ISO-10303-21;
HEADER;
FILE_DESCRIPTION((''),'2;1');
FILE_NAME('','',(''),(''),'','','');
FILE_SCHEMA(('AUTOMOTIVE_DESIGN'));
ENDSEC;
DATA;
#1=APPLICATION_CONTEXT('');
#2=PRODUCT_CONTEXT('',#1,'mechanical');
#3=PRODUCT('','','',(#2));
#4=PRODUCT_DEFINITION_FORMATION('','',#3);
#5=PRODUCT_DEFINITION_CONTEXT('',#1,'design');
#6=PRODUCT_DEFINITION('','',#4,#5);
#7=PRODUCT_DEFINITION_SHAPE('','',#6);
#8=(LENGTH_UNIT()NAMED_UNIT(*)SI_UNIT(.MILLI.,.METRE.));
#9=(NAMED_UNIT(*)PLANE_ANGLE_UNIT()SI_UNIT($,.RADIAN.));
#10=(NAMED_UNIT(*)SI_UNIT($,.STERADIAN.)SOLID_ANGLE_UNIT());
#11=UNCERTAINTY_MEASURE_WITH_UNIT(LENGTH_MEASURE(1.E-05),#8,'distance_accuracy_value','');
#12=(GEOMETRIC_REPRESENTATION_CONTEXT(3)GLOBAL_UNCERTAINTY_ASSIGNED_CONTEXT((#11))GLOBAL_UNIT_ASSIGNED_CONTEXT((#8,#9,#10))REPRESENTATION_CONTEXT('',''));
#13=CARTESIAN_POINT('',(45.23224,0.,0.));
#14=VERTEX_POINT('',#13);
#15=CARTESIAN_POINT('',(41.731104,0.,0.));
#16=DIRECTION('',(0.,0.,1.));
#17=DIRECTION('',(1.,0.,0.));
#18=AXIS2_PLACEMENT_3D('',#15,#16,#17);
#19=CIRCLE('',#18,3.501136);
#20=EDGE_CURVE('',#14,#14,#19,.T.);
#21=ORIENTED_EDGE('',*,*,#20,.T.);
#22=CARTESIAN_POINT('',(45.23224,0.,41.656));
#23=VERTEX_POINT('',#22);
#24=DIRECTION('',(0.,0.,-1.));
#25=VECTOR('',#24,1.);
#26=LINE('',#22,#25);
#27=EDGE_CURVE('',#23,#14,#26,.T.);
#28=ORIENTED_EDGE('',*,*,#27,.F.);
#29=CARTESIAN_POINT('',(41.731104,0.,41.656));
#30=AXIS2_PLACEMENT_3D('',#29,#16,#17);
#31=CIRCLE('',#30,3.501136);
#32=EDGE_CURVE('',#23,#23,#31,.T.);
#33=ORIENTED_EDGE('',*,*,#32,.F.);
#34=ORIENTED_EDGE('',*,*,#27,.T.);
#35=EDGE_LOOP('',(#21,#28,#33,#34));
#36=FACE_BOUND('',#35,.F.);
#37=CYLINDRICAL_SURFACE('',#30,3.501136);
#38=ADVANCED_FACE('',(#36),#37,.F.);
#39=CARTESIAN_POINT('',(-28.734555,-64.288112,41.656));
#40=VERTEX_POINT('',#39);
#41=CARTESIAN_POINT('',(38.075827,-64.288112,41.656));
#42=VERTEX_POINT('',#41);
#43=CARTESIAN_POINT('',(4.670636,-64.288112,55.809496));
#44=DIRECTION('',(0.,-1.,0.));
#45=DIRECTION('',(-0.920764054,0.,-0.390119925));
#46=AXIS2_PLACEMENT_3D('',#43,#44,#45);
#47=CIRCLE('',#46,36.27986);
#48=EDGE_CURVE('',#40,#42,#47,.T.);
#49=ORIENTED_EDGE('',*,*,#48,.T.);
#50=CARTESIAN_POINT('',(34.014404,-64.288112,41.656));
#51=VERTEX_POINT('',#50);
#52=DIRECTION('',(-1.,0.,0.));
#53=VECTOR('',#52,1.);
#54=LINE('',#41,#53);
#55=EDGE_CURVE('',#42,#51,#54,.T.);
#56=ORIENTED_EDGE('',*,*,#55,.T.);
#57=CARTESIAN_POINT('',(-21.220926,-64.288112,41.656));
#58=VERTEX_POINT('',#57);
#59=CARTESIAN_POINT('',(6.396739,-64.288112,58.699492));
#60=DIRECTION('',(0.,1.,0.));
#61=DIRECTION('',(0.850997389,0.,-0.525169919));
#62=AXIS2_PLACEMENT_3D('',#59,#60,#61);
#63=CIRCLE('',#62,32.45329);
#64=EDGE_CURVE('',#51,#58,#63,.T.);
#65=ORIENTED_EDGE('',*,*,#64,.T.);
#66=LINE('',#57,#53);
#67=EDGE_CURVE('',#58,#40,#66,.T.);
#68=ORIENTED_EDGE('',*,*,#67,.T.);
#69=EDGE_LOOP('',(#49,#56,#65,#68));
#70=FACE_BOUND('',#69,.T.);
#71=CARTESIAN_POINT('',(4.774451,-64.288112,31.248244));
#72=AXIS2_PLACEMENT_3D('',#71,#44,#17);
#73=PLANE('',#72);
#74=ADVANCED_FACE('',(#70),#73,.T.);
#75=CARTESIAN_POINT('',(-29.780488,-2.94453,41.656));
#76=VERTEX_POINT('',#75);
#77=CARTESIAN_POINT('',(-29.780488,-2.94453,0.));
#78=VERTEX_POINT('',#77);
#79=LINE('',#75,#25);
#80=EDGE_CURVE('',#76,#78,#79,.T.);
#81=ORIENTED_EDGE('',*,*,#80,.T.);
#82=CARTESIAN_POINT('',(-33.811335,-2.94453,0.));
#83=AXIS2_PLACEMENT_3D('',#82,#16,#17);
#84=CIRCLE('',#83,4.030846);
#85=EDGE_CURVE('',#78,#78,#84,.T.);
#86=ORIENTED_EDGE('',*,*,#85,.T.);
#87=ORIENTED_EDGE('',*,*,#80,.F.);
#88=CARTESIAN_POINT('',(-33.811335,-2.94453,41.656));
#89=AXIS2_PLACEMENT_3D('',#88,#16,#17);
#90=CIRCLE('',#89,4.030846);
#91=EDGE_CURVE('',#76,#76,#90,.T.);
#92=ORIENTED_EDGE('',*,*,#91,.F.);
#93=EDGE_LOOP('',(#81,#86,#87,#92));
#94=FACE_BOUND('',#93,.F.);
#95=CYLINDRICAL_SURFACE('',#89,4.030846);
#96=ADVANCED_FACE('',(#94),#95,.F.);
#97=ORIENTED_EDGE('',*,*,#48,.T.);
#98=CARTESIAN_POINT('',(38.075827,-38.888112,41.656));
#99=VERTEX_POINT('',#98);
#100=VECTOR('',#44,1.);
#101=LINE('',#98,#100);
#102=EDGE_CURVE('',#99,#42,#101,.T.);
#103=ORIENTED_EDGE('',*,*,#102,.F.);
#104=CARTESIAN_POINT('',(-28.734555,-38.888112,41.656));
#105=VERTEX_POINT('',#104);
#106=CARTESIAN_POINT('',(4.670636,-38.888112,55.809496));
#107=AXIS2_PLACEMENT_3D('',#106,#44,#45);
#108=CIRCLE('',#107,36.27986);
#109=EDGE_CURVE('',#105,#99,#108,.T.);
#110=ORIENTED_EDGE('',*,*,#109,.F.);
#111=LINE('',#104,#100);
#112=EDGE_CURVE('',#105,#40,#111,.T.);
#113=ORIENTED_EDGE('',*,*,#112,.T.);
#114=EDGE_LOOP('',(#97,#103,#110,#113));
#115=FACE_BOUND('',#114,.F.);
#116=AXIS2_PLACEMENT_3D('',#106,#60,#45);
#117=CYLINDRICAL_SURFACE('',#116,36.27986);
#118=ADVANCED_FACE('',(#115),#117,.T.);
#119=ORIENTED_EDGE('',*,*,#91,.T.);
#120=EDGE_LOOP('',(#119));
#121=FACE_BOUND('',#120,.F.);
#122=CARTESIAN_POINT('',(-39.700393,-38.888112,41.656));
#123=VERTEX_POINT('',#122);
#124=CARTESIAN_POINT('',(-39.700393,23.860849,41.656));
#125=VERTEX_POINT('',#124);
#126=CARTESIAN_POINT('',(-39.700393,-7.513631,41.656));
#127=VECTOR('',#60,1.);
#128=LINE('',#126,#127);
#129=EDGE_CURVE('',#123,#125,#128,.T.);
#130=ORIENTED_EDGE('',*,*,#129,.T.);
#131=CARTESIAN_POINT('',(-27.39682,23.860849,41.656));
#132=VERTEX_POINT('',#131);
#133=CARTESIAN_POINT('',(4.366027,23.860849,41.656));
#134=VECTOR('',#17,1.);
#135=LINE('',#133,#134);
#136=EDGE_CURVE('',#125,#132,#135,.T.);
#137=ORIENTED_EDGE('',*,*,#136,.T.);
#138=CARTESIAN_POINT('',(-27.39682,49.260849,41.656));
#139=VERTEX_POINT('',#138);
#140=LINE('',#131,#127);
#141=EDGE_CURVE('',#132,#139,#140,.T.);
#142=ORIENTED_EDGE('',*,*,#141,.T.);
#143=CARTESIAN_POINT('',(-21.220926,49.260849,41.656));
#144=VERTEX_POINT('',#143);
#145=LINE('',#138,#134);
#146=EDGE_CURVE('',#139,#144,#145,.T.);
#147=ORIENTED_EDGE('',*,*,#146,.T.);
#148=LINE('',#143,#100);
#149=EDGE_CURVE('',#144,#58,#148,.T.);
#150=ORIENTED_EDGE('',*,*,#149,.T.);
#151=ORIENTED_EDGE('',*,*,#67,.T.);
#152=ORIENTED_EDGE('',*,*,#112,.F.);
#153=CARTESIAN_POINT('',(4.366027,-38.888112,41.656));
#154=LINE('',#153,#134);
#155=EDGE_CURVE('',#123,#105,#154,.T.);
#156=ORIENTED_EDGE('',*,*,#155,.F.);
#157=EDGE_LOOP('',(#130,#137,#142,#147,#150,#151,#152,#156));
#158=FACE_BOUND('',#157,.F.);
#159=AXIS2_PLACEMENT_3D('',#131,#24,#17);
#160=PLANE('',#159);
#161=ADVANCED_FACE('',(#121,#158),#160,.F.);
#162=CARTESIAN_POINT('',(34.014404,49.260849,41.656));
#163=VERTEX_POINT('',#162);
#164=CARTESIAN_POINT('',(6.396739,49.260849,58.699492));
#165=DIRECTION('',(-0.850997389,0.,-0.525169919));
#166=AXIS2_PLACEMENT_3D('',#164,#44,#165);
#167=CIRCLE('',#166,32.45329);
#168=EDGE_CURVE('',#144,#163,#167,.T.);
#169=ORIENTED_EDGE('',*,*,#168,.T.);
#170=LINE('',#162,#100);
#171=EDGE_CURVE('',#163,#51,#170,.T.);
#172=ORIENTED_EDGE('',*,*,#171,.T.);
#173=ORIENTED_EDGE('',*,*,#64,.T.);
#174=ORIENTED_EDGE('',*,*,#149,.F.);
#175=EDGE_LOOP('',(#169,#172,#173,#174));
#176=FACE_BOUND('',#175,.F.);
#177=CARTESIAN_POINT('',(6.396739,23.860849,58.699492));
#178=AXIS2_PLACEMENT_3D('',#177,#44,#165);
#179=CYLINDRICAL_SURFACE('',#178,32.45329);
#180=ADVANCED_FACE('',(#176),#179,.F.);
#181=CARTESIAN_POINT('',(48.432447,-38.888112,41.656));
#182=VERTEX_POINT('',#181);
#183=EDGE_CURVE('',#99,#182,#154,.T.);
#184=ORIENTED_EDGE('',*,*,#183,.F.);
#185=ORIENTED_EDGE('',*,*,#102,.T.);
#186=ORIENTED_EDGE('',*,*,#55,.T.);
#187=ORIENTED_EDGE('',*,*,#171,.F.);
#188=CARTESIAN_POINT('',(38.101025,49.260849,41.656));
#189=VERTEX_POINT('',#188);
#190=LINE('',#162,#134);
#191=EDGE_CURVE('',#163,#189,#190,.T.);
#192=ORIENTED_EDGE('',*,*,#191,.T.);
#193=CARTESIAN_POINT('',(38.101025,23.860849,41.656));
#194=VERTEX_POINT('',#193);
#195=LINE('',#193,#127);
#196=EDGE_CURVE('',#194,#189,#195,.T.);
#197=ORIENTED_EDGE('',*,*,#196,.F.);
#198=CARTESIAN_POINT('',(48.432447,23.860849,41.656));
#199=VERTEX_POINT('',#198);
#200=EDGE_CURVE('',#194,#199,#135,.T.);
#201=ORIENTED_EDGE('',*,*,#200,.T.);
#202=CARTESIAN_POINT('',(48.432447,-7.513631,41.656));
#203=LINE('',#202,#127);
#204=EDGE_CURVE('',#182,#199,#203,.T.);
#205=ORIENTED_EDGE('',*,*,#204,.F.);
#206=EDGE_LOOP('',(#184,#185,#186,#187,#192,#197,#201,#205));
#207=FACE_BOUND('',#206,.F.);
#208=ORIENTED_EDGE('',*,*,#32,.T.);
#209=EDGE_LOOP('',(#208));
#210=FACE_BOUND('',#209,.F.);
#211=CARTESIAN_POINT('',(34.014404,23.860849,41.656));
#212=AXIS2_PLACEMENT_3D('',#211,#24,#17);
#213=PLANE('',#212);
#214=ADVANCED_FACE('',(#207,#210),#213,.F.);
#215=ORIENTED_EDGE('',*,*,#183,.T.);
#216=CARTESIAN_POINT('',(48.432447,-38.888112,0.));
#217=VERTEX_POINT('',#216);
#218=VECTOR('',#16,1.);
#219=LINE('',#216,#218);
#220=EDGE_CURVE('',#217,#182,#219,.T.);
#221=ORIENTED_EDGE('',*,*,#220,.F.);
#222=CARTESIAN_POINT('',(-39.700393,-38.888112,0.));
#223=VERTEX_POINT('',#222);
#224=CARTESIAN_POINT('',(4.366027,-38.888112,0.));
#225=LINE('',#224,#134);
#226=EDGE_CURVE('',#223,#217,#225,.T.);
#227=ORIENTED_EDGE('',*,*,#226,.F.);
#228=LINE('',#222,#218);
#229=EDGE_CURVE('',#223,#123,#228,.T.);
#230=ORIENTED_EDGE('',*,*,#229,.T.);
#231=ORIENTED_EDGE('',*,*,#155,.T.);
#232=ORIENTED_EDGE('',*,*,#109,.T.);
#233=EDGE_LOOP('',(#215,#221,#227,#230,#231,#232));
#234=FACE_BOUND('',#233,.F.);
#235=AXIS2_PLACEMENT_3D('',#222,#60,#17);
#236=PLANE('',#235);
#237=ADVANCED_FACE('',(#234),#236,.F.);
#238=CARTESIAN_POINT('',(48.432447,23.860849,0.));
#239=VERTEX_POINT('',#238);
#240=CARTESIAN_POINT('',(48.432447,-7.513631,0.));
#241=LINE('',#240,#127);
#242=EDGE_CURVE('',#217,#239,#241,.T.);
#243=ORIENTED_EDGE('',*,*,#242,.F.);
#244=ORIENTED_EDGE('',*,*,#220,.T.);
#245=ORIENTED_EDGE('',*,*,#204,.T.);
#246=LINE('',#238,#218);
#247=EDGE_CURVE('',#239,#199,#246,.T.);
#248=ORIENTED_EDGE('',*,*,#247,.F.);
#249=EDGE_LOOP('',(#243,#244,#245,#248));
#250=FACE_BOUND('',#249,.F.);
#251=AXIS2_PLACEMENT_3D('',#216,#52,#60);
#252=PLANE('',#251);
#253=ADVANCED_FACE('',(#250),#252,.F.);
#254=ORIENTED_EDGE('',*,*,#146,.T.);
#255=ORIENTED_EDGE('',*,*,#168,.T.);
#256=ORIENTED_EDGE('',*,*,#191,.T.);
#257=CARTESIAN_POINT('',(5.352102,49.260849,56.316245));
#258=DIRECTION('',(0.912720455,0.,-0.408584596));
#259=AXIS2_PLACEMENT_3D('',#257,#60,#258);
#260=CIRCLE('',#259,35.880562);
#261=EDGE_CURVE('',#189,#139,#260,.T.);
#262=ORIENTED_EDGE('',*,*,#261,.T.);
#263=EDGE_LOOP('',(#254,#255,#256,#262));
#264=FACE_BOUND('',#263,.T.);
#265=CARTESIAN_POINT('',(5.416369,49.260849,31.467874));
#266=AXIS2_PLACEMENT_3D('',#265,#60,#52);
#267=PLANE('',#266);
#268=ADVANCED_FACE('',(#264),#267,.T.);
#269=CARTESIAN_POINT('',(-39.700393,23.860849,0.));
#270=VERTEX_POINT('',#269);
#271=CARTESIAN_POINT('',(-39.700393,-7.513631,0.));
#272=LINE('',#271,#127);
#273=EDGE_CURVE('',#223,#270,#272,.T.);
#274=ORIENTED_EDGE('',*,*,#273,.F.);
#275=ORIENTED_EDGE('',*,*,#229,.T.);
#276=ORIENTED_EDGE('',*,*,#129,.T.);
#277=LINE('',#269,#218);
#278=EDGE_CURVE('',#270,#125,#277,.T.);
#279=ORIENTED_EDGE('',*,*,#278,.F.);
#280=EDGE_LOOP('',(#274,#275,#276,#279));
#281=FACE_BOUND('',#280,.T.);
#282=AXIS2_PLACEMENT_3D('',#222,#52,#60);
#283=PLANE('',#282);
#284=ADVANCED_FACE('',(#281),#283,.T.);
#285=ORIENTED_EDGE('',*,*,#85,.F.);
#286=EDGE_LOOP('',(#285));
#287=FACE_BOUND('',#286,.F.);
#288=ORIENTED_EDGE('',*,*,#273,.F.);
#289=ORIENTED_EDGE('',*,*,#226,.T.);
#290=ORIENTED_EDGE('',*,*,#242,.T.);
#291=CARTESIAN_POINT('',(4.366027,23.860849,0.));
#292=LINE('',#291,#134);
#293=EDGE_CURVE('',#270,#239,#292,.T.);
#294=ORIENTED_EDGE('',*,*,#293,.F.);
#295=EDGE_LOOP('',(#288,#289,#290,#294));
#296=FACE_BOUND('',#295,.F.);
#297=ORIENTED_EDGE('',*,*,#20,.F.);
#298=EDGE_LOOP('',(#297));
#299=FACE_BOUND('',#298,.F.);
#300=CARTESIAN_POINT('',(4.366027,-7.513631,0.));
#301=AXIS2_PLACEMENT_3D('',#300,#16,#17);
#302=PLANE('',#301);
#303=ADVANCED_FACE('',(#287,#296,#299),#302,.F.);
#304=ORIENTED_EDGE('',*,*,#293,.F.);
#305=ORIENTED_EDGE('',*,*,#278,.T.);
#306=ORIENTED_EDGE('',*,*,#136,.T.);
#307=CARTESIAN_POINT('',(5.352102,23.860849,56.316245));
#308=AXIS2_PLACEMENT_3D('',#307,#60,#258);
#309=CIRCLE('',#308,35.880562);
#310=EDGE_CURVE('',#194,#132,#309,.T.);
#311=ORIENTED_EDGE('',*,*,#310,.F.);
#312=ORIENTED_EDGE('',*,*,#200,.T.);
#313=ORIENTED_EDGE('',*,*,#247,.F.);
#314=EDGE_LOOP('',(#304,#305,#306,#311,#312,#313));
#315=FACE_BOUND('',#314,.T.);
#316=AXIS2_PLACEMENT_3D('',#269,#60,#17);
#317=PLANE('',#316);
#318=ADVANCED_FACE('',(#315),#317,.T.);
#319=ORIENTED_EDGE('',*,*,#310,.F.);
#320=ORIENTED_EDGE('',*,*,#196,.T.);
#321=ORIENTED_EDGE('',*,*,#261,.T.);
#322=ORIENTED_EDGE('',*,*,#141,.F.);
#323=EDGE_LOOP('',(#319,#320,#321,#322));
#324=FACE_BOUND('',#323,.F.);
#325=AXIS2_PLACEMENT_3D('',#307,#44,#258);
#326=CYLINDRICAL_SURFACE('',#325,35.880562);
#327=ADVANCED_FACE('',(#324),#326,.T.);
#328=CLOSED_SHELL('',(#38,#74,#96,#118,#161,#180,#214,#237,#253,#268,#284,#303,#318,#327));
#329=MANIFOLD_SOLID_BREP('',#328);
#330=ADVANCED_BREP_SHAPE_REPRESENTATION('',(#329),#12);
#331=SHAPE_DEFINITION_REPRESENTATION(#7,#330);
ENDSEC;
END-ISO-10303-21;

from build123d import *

# Parameters (mm, degrees)
F0_W     = 88.1328396499
F0_H     = 62.7489611506
F1_DEPTH = 41.656
F3_DEPTH = 2514.6
F4_DEPTH = 25.4
F6_DEPTH = 25.4
F7_R     = 4.0308463813
F8_R     = 3.5011356281
F9_DEPTH = 2514.6


with BuildPart() as f1:
    # F0 (on Top) → F1 (new body)
    with BuildSketch(Plane.XY):
        with Locations((4.3660271913, -7.5136311352)):
            Rectangle(F0_W, F0_H)
    extrude(amount=F1_DEPTH)

    # F2 (on face) → F3 (cut)
    with BuildSketch(Plane.XZ.offset(38.8881117105)):
        with BuildLine():
            Line((34.01440382, 41.656), (-21.2209261954, 41.656))
            ThreePointArc((-21.2209261954, 41.656), (6.3967388123, 26.2462017045), (34.01440382, 41.656))
        make_face()
    extrude(amount=-F3_DEPTH, mode=Mode.SUBTRACT)

    # F2 (on face) → F4 (join)
    with BuildSketch(Plane.XZ.offset(38.8881117105)):
        with BuildLine():
            ThreePointArc((34.01440382, 41.656), (6.3967388123, 26.2462017045), (-21.2209261954, 41.656))
            Line((-21.2209261954, 41.656), (-28.734555468, 41.656))
            ThreePointArc((-28.734555468, 41.656), (4.6706357971, 19.5296360838), (38.0758270621, 41.656))
            Line((38.0758270621, 41.656), (34.01440382, 41.656))
        make_face()
    extrude(amount=F4_DEPTH)

    # F5 (on face) → F6 (join)
    with BuildSketch(Plane(origin=(0, 23.8608494401, 0), x_dir=(-1, 0, 0), z_dir=(0, 1, 0))):
        with BuildLine():
            Line((-34.01440382, 41.656), (-38.1010249257, 41.656))
            ThreePointArc((-38.1010249257, 41.656), (-5.3521022201, 20.4356830154), (27.3968204856, 41.656))
            Line((27.3968204856, 41.656), (21.2209261954, 41.656))
            ThreePointArc((21.2209261954, 41.656), (-6.3967388123, 26.2462017045), (-34.01440382, 41.656))
        make_face()
    extrude(amount=F6_DEPTH)

    # F7 (on face) + F8 (on face) → F9 (cut)
    with BuildSketch(Plane.XY.offset(41.656)):
        with Locations((-33.8113345206, -2.9445304535)):
            Circle(F7_R)
    with BuildSketch(Plane.XY.offset(41.656)):
        with Locations((41.7311042547, 0)):
            Circle(F8_R)
    extrude(amount=-F9_DEPTH, mode=Mode.SUBTRACT)


solid = f1.part
